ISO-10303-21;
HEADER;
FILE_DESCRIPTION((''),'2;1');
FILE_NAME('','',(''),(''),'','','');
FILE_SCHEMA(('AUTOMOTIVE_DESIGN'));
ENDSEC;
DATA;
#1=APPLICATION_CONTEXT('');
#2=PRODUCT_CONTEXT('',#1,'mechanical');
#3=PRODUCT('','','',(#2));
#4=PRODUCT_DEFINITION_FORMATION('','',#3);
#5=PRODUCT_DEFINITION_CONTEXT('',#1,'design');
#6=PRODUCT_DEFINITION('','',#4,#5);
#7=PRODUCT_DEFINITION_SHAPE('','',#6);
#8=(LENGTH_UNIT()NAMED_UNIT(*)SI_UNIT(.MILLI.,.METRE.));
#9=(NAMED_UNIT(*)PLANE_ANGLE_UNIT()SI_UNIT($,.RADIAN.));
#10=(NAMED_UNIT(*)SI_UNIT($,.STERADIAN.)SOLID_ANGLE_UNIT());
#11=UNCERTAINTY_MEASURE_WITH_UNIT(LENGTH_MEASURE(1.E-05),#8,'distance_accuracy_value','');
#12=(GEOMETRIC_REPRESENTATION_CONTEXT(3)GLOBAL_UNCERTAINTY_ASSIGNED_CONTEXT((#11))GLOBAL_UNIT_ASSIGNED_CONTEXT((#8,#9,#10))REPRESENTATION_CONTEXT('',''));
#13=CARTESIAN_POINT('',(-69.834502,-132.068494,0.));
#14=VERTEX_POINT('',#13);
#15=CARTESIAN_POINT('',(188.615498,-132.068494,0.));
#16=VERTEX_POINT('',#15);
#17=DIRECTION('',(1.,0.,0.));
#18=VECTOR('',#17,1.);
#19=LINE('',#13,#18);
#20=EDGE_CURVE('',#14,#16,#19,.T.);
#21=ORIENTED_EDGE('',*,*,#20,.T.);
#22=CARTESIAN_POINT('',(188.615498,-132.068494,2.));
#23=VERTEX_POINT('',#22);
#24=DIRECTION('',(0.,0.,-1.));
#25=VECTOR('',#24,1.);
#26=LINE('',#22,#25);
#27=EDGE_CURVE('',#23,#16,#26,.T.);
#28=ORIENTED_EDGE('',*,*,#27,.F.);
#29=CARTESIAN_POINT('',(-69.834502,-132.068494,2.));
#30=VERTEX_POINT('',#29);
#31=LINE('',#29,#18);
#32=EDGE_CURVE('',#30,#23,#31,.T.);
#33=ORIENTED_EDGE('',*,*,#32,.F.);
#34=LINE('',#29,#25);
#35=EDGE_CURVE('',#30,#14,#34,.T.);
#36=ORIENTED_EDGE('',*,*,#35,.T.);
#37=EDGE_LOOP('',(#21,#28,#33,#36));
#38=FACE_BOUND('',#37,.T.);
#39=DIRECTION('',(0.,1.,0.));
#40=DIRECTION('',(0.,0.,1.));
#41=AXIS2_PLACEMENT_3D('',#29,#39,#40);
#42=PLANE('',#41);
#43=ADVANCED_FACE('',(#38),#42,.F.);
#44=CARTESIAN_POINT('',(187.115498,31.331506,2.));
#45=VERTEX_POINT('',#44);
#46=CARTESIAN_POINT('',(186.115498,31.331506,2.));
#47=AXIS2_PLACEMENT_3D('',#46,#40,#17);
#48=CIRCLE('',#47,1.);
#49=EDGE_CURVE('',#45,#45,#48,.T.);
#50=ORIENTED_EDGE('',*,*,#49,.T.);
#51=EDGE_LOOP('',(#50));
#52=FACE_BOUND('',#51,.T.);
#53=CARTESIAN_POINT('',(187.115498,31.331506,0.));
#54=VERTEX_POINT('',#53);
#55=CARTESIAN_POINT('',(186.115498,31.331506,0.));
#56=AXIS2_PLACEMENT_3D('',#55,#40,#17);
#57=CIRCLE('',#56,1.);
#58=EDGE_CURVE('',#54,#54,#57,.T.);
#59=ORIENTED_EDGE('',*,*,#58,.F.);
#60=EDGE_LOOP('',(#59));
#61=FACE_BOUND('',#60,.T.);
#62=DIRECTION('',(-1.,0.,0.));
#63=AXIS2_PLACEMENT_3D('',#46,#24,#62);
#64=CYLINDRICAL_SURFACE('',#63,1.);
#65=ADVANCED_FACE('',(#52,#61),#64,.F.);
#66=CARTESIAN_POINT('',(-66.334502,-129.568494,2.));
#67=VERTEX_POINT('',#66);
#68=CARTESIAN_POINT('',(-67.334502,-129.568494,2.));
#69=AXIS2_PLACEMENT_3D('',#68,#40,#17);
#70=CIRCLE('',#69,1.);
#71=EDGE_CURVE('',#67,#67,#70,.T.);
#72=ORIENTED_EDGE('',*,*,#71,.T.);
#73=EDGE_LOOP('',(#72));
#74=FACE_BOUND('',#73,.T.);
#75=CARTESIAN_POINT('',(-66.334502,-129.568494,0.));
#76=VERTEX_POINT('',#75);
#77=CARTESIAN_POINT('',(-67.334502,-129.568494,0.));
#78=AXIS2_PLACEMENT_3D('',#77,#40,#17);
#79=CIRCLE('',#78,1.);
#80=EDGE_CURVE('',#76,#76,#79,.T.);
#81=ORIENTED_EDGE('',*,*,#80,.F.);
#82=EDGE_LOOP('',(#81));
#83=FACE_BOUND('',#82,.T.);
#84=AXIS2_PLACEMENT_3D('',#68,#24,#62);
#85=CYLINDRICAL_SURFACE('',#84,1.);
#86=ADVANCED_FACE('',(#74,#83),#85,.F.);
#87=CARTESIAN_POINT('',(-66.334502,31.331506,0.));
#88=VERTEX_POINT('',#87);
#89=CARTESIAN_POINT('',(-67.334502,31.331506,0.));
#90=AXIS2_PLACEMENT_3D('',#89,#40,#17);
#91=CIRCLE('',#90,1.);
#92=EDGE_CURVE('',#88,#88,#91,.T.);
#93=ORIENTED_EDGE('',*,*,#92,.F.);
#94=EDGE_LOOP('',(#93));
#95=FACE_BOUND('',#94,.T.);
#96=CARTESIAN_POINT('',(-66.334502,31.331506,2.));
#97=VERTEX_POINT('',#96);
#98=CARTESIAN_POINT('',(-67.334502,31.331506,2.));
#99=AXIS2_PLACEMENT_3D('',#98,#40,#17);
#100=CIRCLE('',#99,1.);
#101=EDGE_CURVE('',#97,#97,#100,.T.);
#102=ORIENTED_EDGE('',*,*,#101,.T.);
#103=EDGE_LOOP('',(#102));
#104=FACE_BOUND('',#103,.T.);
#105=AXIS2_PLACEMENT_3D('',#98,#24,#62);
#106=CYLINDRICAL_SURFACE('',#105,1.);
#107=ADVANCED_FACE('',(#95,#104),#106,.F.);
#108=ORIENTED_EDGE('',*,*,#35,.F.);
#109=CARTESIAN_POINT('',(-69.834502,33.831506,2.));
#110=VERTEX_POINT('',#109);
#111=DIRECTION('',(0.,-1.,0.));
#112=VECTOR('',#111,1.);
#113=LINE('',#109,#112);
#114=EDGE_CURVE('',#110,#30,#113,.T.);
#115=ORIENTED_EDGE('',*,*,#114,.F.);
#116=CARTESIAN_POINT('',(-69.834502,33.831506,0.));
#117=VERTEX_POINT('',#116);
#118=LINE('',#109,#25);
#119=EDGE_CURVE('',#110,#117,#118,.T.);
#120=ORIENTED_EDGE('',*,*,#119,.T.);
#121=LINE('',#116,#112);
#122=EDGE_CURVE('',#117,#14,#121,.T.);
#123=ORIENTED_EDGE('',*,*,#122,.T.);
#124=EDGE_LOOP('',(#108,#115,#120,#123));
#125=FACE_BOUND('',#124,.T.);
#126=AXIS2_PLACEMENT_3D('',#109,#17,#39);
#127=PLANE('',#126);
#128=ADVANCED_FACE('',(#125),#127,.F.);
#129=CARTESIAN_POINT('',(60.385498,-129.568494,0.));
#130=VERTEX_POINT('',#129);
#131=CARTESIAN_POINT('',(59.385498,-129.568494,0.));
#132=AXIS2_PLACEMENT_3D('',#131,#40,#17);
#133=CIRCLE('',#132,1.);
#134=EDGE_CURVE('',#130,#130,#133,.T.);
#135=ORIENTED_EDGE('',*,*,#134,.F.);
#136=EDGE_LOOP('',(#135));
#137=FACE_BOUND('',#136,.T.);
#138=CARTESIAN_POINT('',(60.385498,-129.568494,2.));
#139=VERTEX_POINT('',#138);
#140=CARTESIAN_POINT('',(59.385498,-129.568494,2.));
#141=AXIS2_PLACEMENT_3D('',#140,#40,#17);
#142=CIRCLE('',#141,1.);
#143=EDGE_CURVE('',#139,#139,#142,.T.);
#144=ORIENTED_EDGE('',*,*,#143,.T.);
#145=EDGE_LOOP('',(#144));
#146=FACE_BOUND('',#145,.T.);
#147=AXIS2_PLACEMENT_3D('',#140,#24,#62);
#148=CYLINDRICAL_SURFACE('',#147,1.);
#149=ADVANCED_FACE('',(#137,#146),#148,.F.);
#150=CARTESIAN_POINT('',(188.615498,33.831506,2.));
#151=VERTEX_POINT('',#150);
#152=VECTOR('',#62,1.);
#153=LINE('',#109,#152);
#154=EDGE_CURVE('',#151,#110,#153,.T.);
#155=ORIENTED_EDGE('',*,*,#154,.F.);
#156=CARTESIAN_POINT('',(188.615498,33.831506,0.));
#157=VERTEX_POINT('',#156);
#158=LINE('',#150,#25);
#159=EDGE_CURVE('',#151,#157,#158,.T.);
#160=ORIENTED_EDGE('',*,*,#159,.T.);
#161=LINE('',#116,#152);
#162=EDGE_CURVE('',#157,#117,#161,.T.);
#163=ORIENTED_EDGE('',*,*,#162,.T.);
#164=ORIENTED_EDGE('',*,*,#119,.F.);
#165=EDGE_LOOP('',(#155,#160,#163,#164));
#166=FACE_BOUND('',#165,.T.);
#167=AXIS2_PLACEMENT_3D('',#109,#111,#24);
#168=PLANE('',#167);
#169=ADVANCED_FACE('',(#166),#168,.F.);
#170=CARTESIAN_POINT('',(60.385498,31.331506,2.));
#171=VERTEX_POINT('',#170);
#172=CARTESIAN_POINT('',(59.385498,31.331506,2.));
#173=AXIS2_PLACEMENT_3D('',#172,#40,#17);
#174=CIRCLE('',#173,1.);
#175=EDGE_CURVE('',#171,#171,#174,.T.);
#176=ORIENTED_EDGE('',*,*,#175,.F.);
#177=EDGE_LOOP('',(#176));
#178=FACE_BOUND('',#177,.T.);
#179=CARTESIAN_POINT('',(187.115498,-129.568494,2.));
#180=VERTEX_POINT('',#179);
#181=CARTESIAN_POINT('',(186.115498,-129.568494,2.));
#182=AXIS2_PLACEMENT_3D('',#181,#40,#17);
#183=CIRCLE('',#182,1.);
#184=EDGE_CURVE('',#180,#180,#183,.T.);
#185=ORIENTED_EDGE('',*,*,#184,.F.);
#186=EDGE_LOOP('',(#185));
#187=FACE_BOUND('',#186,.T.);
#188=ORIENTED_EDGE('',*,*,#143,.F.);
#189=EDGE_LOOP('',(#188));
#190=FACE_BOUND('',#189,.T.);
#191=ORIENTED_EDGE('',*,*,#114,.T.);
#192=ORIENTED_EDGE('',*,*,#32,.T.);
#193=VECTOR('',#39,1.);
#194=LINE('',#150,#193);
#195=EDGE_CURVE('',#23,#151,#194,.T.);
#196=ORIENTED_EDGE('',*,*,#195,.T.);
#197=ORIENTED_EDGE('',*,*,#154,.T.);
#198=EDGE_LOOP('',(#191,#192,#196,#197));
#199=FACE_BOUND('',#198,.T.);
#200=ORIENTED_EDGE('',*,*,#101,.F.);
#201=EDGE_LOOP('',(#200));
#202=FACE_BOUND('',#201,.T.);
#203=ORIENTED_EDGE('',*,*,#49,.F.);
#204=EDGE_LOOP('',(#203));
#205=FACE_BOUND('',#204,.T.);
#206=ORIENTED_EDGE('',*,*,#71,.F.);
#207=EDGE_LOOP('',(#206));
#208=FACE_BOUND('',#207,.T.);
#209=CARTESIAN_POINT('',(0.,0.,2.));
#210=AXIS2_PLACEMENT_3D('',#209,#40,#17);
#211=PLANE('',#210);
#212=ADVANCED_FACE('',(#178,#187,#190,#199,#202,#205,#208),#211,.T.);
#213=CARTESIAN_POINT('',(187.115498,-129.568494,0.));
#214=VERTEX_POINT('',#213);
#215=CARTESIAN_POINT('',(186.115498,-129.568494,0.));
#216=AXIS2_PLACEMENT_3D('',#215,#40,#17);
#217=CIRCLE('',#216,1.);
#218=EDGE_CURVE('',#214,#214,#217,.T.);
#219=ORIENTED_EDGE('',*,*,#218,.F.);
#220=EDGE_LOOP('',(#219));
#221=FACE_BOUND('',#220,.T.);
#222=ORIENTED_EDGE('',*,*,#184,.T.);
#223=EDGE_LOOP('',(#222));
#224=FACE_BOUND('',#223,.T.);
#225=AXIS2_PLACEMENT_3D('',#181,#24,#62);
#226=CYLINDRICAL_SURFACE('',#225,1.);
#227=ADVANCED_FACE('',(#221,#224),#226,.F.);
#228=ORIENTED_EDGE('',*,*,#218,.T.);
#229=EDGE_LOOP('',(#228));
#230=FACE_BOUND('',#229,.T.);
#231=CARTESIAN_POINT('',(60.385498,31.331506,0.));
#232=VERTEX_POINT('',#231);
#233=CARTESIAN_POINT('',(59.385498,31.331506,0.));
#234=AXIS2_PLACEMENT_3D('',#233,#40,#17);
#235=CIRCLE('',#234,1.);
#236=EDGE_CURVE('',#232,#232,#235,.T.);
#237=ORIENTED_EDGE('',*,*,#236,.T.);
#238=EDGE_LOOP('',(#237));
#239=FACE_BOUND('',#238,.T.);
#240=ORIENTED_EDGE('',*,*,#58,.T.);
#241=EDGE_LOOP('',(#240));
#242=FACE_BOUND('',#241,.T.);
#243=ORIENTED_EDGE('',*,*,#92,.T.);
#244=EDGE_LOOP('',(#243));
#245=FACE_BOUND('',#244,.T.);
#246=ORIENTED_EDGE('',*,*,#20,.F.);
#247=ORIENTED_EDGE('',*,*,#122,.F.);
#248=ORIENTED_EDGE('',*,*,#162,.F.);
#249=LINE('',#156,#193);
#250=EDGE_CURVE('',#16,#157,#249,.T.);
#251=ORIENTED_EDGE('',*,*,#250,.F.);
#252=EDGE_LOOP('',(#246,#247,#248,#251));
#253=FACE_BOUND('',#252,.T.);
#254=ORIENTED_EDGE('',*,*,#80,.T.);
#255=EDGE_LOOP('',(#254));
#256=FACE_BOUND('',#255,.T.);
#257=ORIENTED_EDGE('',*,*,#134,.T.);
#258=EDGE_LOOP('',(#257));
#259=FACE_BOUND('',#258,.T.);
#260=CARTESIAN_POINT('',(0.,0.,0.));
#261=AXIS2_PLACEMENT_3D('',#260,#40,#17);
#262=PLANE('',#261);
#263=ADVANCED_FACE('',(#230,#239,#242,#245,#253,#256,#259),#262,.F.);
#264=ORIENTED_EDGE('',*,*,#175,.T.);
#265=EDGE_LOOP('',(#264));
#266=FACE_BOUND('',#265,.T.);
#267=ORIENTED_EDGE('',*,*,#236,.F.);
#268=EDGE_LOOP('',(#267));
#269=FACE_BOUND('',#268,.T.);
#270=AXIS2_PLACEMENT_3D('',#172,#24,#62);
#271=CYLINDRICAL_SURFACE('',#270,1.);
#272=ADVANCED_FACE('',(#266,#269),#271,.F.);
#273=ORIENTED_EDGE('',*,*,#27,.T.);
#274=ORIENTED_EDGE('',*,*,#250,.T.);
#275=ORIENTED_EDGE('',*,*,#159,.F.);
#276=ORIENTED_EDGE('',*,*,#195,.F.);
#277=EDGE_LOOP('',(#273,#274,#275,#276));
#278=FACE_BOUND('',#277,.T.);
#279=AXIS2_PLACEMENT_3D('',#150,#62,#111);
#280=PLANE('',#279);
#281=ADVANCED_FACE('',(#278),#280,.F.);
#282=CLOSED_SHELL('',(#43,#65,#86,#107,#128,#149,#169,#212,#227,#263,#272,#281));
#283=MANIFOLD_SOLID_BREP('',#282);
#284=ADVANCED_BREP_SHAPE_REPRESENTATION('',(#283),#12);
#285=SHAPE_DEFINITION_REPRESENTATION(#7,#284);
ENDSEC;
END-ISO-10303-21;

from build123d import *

# Parameters (mm, degrees)
ESQUISSE1_W        = 258.45
ESQUISSE1_H        = 165.9
ESQUISSE1_R        = 1
BOSS_EXTRU_1_DEPTH = 2


with BuildPart() as part:
    # Esquisse1 → Boss.-Extru.1 (new body)
    with BuildSketch(Plane.XY):
        with Locations((59.390498412, -49.118493909)):
            Rectangle(ESQUISSE1_W, ESQUISSE1_H)
        with Locations((-67.334501588, 31.331506091)):
            Circle(ESQUISSE1_R, mode=Mode.SUBTRACT)
        with Locations((59.385498412, 31.331506091)):
            Circle(ESQUISSE1_R, mode=Mode.SUBTRACT)
        with Locations((186.115498412, 31.331506091)):
            Circle(ESQUISSE1_R, mode=Mode.SUBTRACT)
        with Locations((-67.334501588, -129.568493909)):
            Circle(ESQUISSE1_R, mode=Mode.SUBTRACT)
        with Locations((59.385498412, -129.568493909)):
            Circle(ESQUISSE1_R, mode=Mode.SUBTRACT)
        with Locations((186.115498412, -129.568493909)):
            Circle(ESQUISSE1_R, mode=Mode.SUBTRACT)
    extrude(amount=BOSS_EXTRU_1_DEPTH)


solid = part.part
